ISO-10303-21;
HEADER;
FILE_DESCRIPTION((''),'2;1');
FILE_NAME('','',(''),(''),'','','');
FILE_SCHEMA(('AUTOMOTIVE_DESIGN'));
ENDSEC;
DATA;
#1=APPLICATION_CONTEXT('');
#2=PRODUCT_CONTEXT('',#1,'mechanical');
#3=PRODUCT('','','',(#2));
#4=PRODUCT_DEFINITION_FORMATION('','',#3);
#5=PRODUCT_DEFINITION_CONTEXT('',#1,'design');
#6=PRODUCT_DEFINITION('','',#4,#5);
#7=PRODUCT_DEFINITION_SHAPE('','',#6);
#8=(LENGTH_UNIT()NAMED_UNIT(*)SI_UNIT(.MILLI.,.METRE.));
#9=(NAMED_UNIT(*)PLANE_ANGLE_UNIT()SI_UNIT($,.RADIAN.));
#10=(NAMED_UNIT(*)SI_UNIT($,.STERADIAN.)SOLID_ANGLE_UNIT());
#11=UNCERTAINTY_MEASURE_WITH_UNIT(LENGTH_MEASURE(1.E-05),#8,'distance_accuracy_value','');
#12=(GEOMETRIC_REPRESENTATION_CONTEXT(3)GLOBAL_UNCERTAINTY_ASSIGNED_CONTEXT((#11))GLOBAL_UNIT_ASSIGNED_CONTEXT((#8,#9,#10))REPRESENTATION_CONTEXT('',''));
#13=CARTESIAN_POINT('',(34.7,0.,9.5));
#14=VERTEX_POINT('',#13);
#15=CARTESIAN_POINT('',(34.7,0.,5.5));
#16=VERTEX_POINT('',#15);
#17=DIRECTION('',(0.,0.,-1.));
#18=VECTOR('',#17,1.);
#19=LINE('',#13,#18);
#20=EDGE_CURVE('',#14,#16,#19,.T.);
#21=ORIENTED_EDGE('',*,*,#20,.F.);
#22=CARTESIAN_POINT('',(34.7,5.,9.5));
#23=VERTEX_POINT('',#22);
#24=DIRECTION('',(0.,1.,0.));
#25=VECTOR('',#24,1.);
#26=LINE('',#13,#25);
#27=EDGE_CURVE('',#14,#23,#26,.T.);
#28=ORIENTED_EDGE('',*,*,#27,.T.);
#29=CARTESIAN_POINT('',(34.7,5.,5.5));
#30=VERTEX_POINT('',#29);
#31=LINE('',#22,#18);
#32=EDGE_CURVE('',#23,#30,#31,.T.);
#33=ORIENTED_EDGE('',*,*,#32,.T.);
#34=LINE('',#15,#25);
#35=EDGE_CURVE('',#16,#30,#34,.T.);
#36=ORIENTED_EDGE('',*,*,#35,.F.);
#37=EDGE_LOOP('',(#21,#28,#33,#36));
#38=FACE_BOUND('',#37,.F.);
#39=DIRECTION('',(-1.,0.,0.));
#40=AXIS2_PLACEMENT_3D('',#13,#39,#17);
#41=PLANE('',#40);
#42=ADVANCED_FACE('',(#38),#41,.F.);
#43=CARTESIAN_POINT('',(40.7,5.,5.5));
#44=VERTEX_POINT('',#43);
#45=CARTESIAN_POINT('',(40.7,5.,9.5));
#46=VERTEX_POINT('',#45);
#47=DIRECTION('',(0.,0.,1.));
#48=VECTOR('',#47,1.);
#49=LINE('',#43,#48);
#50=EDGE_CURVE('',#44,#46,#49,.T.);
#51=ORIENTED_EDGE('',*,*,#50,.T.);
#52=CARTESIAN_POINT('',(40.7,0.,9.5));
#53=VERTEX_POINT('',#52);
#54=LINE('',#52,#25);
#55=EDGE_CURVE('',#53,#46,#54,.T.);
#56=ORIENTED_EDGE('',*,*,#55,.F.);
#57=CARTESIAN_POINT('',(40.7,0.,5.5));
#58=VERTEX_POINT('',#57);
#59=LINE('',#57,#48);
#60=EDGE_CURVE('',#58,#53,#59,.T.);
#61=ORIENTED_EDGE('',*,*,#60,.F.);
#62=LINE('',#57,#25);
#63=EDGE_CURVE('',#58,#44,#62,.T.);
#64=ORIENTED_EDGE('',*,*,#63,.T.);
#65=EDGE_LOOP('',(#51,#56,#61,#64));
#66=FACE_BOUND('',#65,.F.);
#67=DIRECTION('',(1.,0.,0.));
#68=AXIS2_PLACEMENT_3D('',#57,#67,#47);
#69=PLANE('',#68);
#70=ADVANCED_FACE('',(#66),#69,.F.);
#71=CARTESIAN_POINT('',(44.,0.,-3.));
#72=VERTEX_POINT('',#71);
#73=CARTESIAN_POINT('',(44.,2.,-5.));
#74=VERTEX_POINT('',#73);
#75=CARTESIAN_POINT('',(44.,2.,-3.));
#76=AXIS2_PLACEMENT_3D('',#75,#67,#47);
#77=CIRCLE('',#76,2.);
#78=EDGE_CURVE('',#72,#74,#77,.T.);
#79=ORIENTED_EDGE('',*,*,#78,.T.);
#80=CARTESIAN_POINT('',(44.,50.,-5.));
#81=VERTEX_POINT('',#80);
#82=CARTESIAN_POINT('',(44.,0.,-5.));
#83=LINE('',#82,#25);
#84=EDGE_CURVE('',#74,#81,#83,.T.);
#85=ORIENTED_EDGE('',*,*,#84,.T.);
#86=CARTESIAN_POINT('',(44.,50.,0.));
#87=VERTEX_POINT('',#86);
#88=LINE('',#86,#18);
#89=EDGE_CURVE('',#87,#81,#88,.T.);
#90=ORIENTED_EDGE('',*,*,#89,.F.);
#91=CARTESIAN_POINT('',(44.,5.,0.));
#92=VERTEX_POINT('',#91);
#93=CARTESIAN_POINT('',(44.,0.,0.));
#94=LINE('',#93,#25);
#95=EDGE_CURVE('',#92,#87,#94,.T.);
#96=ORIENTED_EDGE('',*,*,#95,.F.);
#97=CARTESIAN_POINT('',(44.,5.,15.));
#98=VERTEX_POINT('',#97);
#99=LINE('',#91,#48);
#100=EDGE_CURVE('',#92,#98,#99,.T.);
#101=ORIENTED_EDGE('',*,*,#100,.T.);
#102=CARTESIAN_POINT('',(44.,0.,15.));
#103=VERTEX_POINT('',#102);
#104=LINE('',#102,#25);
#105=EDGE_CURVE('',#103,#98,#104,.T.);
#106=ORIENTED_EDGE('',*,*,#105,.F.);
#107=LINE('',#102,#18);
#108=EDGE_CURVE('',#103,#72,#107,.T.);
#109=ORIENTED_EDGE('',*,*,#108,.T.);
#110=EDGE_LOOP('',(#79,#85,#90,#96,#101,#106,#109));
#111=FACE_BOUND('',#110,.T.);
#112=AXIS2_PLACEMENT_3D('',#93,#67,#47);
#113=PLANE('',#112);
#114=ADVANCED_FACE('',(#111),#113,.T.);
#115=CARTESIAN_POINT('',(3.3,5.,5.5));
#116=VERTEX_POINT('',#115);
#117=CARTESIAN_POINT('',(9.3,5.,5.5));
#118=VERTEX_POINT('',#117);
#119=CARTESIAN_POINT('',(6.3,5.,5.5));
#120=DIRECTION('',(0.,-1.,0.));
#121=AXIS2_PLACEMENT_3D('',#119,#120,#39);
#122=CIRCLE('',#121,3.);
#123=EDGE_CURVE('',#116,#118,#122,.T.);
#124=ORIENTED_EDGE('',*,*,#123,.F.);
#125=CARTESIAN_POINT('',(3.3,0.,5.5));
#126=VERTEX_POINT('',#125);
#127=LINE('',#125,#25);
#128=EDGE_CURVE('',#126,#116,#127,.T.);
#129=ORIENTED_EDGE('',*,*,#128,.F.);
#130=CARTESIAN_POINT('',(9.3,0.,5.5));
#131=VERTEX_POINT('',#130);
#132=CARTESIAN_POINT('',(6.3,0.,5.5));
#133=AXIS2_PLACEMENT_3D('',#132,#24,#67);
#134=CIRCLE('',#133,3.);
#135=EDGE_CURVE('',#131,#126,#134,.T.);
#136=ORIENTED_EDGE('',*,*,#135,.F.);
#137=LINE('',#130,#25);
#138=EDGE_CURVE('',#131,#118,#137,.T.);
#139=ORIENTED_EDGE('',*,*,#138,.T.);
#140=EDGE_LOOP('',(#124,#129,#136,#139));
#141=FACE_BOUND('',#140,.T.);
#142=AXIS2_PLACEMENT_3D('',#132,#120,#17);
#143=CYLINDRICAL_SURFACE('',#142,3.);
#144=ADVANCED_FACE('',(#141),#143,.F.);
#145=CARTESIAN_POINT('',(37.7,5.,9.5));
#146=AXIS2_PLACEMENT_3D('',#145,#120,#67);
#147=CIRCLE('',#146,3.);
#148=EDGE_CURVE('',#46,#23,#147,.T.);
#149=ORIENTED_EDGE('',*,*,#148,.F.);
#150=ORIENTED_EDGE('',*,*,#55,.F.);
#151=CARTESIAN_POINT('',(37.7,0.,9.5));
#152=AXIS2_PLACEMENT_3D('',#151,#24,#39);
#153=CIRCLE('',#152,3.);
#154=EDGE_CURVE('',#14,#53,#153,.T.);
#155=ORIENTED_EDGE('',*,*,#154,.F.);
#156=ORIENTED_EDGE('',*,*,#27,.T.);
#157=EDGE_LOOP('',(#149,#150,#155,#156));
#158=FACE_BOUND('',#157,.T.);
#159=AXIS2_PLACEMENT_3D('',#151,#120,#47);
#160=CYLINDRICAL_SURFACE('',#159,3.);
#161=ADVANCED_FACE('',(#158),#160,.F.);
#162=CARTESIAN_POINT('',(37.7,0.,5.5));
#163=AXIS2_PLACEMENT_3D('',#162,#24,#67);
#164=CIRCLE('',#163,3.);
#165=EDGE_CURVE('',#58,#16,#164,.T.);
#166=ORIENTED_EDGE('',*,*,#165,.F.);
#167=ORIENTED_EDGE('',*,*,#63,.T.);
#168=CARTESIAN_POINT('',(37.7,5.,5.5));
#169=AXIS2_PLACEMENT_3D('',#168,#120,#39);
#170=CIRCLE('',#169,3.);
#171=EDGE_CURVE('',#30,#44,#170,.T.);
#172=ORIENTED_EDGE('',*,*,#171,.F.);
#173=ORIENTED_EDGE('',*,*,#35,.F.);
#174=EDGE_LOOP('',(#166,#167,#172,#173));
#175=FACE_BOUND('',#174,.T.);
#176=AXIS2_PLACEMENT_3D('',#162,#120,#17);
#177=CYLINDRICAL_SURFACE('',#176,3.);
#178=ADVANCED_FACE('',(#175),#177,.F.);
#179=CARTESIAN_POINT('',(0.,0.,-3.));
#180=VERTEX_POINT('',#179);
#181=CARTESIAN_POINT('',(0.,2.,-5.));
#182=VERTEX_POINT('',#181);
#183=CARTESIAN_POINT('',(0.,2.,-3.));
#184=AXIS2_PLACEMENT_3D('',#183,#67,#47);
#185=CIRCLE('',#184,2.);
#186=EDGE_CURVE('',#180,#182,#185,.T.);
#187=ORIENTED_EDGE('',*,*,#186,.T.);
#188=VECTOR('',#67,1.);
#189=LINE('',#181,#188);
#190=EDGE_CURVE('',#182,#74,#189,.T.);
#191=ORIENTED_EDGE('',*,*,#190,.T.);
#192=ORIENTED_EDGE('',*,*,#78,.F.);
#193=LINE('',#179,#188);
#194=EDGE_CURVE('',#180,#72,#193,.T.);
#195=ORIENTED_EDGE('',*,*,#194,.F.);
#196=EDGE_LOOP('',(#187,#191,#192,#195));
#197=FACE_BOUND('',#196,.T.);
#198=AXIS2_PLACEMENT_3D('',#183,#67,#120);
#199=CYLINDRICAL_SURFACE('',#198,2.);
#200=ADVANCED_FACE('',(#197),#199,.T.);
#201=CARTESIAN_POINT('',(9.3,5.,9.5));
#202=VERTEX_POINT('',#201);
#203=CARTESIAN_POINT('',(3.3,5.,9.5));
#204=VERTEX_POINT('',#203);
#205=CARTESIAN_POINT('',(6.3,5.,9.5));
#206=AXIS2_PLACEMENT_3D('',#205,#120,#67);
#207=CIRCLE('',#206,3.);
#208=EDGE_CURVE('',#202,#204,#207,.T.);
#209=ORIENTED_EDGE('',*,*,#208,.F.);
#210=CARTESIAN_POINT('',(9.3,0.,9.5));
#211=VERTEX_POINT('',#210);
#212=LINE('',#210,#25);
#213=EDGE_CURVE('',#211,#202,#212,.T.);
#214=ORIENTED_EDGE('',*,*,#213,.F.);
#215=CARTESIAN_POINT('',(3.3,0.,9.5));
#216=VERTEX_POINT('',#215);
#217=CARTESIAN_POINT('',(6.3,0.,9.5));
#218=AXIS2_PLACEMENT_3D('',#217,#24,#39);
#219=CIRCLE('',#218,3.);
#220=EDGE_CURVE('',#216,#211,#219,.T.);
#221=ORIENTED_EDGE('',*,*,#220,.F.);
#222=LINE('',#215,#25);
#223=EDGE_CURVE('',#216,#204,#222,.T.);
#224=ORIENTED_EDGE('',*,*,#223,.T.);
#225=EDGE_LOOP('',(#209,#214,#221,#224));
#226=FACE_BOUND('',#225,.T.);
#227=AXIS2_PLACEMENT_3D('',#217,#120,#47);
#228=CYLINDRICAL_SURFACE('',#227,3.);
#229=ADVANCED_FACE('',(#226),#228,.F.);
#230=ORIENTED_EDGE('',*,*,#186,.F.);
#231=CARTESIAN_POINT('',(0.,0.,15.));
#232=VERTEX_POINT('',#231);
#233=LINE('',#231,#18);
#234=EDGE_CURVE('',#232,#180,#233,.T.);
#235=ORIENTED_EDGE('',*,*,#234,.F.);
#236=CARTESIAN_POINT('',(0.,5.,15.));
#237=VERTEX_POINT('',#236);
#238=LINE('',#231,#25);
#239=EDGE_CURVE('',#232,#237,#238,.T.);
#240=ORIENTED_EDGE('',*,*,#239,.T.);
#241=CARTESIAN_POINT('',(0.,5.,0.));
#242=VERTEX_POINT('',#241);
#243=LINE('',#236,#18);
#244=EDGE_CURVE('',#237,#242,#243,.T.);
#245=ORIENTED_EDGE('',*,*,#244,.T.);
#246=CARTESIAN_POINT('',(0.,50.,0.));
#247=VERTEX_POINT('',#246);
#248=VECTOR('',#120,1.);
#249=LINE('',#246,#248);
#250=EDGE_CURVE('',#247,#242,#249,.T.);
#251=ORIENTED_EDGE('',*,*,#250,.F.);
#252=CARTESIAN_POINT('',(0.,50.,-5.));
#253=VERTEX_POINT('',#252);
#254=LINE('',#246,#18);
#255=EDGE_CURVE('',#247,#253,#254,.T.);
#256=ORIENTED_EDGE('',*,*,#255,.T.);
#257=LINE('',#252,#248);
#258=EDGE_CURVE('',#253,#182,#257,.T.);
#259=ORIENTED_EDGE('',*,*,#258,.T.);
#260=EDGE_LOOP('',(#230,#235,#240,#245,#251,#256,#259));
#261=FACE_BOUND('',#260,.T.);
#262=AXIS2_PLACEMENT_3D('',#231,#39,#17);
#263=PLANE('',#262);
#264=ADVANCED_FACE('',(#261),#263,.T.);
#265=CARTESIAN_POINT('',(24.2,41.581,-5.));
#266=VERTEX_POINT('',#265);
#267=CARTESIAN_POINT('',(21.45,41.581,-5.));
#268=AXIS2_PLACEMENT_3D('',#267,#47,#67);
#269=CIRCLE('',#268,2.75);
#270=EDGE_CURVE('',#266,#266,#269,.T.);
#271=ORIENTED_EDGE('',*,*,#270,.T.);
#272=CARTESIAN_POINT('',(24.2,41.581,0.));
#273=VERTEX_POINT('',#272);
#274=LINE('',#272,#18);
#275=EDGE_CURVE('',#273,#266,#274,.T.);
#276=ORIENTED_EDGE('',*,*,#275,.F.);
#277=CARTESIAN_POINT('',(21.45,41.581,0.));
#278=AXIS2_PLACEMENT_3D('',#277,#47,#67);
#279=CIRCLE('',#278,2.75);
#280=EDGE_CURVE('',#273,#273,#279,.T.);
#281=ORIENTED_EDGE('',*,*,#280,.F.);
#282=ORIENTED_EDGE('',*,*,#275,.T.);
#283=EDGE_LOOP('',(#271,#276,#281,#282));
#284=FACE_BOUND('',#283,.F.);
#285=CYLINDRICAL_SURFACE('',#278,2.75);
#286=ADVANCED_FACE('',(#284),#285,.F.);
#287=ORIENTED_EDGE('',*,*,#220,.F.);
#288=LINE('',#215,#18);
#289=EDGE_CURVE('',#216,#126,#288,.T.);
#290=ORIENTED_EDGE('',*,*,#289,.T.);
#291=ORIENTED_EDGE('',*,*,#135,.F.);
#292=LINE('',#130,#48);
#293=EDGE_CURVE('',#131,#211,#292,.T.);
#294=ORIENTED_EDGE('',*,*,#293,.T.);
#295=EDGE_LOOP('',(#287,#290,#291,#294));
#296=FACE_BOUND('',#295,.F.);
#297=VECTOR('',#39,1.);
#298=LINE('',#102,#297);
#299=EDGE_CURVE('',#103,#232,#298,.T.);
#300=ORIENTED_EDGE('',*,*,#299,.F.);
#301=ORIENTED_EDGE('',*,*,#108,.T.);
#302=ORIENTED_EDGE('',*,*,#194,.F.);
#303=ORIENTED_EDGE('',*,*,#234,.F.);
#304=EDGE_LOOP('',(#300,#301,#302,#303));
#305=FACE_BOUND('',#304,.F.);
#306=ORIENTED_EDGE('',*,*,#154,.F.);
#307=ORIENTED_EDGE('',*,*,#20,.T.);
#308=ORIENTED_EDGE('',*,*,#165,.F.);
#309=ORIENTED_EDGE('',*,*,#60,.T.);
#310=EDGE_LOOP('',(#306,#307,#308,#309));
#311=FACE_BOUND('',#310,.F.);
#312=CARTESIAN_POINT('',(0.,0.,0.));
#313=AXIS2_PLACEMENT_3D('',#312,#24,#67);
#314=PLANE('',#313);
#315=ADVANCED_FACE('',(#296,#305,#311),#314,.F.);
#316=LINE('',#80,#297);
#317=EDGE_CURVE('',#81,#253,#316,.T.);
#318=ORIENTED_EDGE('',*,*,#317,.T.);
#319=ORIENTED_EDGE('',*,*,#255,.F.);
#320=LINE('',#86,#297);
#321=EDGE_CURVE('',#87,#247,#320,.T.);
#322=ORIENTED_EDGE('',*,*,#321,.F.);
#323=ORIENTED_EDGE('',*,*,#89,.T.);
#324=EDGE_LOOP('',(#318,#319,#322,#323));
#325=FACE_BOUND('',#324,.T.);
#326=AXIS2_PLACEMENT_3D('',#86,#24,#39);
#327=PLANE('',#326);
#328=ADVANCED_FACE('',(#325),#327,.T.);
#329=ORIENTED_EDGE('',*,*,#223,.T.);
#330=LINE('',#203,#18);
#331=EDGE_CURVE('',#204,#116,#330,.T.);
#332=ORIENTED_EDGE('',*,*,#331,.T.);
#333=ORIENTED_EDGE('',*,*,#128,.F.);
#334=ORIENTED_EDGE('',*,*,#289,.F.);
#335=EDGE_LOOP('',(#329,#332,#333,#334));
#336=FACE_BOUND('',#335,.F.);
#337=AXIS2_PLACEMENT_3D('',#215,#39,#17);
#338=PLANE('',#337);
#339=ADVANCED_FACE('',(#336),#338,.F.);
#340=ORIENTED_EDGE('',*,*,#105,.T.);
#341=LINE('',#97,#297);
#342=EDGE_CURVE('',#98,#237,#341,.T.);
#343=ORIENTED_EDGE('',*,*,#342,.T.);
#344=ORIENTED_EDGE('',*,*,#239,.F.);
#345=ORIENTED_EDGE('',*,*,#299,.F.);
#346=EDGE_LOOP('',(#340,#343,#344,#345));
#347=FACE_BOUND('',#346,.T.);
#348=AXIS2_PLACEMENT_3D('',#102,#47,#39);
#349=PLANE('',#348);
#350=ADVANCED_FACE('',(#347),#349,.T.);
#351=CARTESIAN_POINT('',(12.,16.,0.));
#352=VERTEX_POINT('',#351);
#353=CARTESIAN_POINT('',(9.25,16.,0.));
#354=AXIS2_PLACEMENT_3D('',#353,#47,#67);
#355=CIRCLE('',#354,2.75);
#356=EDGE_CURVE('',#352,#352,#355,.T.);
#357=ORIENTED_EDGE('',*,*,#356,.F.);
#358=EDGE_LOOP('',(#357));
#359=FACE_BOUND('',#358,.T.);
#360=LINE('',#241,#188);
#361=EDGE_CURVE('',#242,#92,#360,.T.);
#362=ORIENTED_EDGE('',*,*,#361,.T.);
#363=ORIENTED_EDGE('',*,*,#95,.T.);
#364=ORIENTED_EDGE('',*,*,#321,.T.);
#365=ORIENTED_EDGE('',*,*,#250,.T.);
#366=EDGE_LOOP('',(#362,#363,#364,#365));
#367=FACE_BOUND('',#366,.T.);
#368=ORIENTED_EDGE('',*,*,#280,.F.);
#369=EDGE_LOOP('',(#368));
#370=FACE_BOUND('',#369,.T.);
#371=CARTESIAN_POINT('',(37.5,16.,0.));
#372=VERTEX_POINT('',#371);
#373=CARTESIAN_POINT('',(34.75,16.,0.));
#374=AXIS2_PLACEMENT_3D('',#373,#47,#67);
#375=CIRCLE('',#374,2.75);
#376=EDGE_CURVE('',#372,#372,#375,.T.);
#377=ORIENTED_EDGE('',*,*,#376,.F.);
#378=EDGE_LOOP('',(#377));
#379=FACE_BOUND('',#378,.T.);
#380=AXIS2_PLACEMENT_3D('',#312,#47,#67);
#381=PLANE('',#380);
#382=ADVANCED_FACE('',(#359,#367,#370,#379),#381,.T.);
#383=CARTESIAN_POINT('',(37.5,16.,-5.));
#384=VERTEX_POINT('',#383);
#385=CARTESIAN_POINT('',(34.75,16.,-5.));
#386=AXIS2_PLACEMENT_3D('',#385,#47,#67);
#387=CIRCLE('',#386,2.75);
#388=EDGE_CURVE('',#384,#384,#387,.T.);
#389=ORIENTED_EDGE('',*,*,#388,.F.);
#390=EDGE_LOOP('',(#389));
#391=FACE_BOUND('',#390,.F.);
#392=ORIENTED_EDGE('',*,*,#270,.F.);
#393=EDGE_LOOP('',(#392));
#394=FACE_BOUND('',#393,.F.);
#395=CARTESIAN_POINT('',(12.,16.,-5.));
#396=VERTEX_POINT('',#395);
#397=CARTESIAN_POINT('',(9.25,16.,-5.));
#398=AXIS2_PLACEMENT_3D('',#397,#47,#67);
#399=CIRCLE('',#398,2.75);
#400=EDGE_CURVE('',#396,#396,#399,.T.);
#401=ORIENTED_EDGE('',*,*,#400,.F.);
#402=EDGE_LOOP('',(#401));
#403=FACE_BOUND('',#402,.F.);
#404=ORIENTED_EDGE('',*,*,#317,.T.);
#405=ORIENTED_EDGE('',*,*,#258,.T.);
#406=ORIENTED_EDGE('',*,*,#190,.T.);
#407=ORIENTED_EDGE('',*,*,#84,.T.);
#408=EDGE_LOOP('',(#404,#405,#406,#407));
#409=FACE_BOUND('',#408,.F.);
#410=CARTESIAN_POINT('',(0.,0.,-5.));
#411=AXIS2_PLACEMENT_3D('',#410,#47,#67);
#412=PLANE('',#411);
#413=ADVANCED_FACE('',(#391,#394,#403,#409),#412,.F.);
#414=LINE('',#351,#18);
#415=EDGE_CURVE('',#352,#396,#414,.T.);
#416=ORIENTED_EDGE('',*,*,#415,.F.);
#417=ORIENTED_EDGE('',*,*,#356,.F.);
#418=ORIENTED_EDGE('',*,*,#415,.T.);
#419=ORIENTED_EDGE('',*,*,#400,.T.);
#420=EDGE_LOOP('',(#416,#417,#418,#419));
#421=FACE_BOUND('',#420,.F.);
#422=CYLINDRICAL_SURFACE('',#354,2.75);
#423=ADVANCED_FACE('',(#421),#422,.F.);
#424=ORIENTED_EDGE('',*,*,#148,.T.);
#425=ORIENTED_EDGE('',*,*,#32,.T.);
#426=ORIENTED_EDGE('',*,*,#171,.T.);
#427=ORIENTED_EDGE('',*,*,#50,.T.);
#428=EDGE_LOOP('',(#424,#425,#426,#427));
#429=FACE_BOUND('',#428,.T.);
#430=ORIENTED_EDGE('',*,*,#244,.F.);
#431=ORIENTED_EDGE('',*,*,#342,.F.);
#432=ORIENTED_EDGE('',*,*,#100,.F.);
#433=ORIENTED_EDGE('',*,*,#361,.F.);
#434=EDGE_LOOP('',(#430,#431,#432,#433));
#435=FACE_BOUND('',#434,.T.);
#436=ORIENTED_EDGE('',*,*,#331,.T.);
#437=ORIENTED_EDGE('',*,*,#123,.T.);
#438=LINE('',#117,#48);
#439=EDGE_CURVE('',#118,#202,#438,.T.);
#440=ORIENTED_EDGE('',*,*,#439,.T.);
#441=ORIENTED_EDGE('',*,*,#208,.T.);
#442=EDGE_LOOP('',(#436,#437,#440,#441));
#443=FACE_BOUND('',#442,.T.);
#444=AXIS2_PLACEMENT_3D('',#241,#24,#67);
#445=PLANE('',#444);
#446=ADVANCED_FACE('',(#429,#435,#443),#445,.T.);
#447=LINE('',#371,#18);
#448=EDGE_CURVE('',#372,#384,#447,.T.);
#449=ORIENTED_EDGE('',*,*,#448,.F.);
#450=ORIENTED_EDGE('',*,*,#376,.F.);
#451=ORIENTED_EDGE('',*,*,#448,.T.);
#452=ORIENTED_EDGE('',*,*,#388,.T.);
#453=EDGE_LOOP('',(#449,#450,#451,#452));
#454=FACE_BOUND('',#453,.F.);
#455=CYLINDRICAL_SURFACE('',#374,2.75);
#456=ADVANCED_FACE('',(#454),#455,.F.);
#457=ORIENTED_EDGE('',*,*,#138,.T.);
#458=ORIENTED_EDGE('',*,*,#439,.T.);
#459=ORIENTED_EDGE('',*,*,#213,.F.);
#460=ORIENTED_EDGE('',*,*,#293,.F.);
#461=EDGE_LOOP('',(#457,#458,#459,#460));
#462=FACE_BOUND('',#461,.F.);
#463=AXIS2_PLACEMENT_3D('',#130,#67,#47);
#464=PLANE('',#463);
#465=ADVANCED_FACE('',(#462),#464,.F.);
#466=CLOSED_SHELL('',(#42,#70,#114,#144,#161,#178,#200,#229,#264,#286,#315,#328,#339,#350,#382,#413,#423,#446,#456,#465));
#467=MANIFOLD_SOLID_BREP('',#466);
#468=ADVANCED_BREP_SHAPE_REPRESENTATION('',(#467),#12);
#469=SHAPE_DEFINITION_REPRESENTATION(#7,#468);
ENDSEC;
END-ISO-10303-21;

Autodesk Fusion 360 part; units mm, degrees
sketch "スケッチ1" plane through (0, 0, 0) normal (0, 1, 0) x (1, 0, 0)
  line L0 (0, 0) -> (44, 0)
  line L1 (44, 0) -> (44, -15)
  line L2 (44, -15) -> (0, -15)
  line L3 (0, -15) -> (0, 0)
  dimension "d1" = 44
  dimension "d2" = 15
sketch "スケッチ2" plane through (0, 0, 0) normal (0, 0, 1) x (1, 0, 0)
  line L0 (0, 0) -> (44, 0)
  line L1 (44, 0) -> (44, 50)
  line L2 (44, 50) -> (0, 50)
  line L3 (0, 50) -> (0, 0)
  dimension "d3" = 44
  dimension "d4" = 50
extrude "押し出し1" add sketch "スケッチ1" along normal blind 5
extrude "押し出し2" add sketch "スケッチ2" against normal blind 5
fillet "フィレット1" radius 2 1 edges at (22, 0, -5)
sketch "スケッチ3" plane through (0, 0, 0) normal (0, 1, 0) x (1, 0, 0)
sketch "スケッチ4" plane through (0, 0, 0) normal (0, 1, 0) x (1, 0, 0)
  line L0 (6.3, -2.5) -> (6.3, -2.5)
  line L1 (9.3, -5.5) -> (9.3, -9.5)
  line L2 (6.3, -12.5) -> (6.3, -12.5)
  line L3 (3.3, -9.5) -> (3.3, -5.5)
  arc A0 (6.3, -2.5) -> (3.3, -5.5) centre (6.3, -5.5) ccw
  arc A1 (9.3, -5.5) -> (6.3, -2.5) centre (6.3, -5.5) ccw
  arc A2 (6.3, -12.5) -> (9.3, -9.5) centre (6.3, -9.5) ccw
  arc A3 (3.3, -9.5) -> (6.3, -12.5) centre (6.3, -9.5) ccw
  arc A4 (34.7, -9.5) -> (37.7, -12.5) centre (37.7, -9.5) ccw
  line L4 (37.7, -2.5) -> (37.7, -2.5)
  line L5 (34.7, -9.5) -> (34.7, -5.5)
  arc A5 (40.7, -5.5) -> (37.7, -2.5) centre (37.7, -5.5) ccw
  line L6 (40.7, -5.5) -> (40.7, -9.5)
  arc A6 (37.7, -12.5) -> (40.7, -9.5) centre (37.7, -9.5) ccw
  line L7 (37.7, -12.5) -> (37.7, -12.5)
  arc A7 (37.7, -2.5) -> (34.7, -5.5) centre (37.7, -5.5) ccw
  point P0 (3.3, -2.5)
  point P1 (9.3, -2.5)
  point P2 (3.3, -12.5)
  point P3 (34.7, -2.5)
  point P4 (40.7, -2.5)
  point P5 (34.7, -12.5)
  dimension "d11" = 6
  dimension "d12" = 10
  dimension "d13" = 3
  dimension "d14" = 6
  dimension "d15" = 10
  dimension "d16" = 3
extrude "押し出し3" cut sketch "スケッチ4" along normal blind 5
sketch "スケッチ5" plane through (0, 0, 0) normal (0, 0, 1) x (1, 0, 0)
  circle A0 centre (9.25, 16) radius 2.75
  circle A1 centre (34.75, 16) radius 2.75
  circle A2 centre (21.45, 41.581) radius 2.75
  dimension "d19" = 5.5
  dimension "d20" = 5.5
  dimension "d21" = 5.5
extrude "押し出し5" cut sketch "スケッチ5" against normal blind 5
extrude "押し出し4" [suppressed]
